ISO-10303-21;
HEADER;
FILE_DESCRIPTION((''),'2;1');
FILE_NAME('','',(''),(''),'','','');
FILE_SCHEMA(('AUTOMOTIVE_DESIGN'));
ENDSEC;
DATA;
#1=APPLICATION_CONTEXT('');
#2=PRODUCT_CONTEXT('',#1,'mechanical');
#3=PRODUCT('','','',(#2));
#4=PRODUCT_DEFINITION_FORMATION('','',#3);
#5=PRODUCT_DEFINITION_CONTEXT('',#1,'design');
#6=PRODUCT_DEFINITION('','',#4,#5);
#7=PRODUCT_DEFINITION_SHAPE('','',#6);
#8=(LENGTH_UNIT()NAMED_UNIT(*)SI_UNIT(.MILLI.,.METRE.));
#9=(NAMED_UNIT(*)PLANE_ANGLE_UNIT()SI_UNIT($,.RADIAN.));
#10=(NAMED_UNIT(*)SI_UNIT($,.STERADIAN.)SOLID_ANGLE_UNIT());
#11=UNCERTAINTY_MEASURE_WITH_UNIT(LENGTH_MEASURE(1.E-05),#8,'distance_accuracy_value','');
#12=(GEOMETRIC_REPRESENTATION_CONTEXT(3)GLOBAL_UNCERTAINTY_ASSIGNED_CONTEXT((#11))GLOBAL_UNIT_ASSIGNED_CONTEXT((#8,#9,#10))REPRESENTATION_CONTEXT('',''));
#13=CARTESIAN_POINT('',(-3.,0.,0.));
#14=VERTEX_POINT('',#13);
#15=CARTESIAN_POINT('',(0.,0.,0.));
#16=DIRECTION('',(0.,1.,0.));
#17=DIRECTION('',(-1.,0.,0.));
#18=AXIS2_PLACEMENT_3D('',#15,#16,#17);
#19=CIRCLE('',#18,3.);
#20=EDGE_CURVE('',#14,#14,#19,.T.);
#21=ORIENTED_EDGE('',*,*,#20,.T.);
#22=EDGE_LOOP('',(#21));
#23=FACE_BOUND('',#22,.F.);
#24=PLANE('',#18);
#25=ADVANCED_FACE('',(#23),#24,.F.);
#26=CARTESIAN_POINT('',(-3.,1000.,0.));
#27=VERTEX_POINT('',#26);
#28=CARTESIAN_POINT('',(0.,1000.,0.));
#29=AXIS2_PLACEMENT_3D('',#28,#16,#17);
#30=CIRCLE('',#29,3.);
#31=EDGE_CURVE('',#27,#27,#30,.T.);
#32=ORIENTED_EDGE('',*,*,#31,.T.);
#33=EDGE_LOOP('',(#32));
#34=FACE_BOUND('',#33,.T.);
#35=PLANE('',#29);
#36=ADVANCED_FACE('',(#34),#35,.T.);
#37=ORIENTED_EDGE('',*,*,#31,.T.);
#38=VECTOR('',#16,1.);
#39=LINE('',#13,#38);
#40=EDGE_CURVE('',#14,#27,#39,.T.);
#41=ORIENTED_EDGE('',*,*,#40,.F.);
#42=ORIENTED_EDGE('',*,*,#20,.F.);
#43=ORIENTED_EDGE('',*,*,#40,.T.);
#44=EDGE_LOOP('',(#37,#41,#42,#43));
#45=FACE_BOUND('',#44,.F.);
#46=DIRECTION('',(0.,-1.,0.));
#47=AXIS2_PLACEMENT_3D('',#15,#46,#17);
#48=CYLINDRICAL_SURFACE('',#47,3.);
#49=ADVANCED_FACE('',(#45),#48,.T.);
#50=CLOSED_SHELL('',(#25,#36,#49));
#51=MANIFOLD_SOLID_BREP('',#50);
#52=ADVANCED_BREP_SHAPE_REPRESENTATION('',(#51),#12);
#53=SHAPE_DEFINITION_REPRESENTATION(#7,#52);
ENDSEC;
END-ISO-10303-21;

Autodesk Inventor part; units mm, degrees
ref_plane "YZ Plane" through (0, 0, 0) normal (1, 0, 0) x (0, 1, 0)
ref_plane "XZ Plane" through (0, 0, 0) normal (0, 1, 0) x (-1, 0, 0)
ref_plane "XY Plane" through (0, 0, 0) normal (0, 0, 1) x (1, 0, 0)
sketch "Boceto1" plane through (0, 0, 0) normal (0, 1, 0) x (-1, 0, 0)
  circle A0 centre (0, 0) radius 3
  dimension "d0" = 6
extrude "Extrusión1" add sketch "Boceto1" along normal blind 1000
properties part number "pieza para probar"
